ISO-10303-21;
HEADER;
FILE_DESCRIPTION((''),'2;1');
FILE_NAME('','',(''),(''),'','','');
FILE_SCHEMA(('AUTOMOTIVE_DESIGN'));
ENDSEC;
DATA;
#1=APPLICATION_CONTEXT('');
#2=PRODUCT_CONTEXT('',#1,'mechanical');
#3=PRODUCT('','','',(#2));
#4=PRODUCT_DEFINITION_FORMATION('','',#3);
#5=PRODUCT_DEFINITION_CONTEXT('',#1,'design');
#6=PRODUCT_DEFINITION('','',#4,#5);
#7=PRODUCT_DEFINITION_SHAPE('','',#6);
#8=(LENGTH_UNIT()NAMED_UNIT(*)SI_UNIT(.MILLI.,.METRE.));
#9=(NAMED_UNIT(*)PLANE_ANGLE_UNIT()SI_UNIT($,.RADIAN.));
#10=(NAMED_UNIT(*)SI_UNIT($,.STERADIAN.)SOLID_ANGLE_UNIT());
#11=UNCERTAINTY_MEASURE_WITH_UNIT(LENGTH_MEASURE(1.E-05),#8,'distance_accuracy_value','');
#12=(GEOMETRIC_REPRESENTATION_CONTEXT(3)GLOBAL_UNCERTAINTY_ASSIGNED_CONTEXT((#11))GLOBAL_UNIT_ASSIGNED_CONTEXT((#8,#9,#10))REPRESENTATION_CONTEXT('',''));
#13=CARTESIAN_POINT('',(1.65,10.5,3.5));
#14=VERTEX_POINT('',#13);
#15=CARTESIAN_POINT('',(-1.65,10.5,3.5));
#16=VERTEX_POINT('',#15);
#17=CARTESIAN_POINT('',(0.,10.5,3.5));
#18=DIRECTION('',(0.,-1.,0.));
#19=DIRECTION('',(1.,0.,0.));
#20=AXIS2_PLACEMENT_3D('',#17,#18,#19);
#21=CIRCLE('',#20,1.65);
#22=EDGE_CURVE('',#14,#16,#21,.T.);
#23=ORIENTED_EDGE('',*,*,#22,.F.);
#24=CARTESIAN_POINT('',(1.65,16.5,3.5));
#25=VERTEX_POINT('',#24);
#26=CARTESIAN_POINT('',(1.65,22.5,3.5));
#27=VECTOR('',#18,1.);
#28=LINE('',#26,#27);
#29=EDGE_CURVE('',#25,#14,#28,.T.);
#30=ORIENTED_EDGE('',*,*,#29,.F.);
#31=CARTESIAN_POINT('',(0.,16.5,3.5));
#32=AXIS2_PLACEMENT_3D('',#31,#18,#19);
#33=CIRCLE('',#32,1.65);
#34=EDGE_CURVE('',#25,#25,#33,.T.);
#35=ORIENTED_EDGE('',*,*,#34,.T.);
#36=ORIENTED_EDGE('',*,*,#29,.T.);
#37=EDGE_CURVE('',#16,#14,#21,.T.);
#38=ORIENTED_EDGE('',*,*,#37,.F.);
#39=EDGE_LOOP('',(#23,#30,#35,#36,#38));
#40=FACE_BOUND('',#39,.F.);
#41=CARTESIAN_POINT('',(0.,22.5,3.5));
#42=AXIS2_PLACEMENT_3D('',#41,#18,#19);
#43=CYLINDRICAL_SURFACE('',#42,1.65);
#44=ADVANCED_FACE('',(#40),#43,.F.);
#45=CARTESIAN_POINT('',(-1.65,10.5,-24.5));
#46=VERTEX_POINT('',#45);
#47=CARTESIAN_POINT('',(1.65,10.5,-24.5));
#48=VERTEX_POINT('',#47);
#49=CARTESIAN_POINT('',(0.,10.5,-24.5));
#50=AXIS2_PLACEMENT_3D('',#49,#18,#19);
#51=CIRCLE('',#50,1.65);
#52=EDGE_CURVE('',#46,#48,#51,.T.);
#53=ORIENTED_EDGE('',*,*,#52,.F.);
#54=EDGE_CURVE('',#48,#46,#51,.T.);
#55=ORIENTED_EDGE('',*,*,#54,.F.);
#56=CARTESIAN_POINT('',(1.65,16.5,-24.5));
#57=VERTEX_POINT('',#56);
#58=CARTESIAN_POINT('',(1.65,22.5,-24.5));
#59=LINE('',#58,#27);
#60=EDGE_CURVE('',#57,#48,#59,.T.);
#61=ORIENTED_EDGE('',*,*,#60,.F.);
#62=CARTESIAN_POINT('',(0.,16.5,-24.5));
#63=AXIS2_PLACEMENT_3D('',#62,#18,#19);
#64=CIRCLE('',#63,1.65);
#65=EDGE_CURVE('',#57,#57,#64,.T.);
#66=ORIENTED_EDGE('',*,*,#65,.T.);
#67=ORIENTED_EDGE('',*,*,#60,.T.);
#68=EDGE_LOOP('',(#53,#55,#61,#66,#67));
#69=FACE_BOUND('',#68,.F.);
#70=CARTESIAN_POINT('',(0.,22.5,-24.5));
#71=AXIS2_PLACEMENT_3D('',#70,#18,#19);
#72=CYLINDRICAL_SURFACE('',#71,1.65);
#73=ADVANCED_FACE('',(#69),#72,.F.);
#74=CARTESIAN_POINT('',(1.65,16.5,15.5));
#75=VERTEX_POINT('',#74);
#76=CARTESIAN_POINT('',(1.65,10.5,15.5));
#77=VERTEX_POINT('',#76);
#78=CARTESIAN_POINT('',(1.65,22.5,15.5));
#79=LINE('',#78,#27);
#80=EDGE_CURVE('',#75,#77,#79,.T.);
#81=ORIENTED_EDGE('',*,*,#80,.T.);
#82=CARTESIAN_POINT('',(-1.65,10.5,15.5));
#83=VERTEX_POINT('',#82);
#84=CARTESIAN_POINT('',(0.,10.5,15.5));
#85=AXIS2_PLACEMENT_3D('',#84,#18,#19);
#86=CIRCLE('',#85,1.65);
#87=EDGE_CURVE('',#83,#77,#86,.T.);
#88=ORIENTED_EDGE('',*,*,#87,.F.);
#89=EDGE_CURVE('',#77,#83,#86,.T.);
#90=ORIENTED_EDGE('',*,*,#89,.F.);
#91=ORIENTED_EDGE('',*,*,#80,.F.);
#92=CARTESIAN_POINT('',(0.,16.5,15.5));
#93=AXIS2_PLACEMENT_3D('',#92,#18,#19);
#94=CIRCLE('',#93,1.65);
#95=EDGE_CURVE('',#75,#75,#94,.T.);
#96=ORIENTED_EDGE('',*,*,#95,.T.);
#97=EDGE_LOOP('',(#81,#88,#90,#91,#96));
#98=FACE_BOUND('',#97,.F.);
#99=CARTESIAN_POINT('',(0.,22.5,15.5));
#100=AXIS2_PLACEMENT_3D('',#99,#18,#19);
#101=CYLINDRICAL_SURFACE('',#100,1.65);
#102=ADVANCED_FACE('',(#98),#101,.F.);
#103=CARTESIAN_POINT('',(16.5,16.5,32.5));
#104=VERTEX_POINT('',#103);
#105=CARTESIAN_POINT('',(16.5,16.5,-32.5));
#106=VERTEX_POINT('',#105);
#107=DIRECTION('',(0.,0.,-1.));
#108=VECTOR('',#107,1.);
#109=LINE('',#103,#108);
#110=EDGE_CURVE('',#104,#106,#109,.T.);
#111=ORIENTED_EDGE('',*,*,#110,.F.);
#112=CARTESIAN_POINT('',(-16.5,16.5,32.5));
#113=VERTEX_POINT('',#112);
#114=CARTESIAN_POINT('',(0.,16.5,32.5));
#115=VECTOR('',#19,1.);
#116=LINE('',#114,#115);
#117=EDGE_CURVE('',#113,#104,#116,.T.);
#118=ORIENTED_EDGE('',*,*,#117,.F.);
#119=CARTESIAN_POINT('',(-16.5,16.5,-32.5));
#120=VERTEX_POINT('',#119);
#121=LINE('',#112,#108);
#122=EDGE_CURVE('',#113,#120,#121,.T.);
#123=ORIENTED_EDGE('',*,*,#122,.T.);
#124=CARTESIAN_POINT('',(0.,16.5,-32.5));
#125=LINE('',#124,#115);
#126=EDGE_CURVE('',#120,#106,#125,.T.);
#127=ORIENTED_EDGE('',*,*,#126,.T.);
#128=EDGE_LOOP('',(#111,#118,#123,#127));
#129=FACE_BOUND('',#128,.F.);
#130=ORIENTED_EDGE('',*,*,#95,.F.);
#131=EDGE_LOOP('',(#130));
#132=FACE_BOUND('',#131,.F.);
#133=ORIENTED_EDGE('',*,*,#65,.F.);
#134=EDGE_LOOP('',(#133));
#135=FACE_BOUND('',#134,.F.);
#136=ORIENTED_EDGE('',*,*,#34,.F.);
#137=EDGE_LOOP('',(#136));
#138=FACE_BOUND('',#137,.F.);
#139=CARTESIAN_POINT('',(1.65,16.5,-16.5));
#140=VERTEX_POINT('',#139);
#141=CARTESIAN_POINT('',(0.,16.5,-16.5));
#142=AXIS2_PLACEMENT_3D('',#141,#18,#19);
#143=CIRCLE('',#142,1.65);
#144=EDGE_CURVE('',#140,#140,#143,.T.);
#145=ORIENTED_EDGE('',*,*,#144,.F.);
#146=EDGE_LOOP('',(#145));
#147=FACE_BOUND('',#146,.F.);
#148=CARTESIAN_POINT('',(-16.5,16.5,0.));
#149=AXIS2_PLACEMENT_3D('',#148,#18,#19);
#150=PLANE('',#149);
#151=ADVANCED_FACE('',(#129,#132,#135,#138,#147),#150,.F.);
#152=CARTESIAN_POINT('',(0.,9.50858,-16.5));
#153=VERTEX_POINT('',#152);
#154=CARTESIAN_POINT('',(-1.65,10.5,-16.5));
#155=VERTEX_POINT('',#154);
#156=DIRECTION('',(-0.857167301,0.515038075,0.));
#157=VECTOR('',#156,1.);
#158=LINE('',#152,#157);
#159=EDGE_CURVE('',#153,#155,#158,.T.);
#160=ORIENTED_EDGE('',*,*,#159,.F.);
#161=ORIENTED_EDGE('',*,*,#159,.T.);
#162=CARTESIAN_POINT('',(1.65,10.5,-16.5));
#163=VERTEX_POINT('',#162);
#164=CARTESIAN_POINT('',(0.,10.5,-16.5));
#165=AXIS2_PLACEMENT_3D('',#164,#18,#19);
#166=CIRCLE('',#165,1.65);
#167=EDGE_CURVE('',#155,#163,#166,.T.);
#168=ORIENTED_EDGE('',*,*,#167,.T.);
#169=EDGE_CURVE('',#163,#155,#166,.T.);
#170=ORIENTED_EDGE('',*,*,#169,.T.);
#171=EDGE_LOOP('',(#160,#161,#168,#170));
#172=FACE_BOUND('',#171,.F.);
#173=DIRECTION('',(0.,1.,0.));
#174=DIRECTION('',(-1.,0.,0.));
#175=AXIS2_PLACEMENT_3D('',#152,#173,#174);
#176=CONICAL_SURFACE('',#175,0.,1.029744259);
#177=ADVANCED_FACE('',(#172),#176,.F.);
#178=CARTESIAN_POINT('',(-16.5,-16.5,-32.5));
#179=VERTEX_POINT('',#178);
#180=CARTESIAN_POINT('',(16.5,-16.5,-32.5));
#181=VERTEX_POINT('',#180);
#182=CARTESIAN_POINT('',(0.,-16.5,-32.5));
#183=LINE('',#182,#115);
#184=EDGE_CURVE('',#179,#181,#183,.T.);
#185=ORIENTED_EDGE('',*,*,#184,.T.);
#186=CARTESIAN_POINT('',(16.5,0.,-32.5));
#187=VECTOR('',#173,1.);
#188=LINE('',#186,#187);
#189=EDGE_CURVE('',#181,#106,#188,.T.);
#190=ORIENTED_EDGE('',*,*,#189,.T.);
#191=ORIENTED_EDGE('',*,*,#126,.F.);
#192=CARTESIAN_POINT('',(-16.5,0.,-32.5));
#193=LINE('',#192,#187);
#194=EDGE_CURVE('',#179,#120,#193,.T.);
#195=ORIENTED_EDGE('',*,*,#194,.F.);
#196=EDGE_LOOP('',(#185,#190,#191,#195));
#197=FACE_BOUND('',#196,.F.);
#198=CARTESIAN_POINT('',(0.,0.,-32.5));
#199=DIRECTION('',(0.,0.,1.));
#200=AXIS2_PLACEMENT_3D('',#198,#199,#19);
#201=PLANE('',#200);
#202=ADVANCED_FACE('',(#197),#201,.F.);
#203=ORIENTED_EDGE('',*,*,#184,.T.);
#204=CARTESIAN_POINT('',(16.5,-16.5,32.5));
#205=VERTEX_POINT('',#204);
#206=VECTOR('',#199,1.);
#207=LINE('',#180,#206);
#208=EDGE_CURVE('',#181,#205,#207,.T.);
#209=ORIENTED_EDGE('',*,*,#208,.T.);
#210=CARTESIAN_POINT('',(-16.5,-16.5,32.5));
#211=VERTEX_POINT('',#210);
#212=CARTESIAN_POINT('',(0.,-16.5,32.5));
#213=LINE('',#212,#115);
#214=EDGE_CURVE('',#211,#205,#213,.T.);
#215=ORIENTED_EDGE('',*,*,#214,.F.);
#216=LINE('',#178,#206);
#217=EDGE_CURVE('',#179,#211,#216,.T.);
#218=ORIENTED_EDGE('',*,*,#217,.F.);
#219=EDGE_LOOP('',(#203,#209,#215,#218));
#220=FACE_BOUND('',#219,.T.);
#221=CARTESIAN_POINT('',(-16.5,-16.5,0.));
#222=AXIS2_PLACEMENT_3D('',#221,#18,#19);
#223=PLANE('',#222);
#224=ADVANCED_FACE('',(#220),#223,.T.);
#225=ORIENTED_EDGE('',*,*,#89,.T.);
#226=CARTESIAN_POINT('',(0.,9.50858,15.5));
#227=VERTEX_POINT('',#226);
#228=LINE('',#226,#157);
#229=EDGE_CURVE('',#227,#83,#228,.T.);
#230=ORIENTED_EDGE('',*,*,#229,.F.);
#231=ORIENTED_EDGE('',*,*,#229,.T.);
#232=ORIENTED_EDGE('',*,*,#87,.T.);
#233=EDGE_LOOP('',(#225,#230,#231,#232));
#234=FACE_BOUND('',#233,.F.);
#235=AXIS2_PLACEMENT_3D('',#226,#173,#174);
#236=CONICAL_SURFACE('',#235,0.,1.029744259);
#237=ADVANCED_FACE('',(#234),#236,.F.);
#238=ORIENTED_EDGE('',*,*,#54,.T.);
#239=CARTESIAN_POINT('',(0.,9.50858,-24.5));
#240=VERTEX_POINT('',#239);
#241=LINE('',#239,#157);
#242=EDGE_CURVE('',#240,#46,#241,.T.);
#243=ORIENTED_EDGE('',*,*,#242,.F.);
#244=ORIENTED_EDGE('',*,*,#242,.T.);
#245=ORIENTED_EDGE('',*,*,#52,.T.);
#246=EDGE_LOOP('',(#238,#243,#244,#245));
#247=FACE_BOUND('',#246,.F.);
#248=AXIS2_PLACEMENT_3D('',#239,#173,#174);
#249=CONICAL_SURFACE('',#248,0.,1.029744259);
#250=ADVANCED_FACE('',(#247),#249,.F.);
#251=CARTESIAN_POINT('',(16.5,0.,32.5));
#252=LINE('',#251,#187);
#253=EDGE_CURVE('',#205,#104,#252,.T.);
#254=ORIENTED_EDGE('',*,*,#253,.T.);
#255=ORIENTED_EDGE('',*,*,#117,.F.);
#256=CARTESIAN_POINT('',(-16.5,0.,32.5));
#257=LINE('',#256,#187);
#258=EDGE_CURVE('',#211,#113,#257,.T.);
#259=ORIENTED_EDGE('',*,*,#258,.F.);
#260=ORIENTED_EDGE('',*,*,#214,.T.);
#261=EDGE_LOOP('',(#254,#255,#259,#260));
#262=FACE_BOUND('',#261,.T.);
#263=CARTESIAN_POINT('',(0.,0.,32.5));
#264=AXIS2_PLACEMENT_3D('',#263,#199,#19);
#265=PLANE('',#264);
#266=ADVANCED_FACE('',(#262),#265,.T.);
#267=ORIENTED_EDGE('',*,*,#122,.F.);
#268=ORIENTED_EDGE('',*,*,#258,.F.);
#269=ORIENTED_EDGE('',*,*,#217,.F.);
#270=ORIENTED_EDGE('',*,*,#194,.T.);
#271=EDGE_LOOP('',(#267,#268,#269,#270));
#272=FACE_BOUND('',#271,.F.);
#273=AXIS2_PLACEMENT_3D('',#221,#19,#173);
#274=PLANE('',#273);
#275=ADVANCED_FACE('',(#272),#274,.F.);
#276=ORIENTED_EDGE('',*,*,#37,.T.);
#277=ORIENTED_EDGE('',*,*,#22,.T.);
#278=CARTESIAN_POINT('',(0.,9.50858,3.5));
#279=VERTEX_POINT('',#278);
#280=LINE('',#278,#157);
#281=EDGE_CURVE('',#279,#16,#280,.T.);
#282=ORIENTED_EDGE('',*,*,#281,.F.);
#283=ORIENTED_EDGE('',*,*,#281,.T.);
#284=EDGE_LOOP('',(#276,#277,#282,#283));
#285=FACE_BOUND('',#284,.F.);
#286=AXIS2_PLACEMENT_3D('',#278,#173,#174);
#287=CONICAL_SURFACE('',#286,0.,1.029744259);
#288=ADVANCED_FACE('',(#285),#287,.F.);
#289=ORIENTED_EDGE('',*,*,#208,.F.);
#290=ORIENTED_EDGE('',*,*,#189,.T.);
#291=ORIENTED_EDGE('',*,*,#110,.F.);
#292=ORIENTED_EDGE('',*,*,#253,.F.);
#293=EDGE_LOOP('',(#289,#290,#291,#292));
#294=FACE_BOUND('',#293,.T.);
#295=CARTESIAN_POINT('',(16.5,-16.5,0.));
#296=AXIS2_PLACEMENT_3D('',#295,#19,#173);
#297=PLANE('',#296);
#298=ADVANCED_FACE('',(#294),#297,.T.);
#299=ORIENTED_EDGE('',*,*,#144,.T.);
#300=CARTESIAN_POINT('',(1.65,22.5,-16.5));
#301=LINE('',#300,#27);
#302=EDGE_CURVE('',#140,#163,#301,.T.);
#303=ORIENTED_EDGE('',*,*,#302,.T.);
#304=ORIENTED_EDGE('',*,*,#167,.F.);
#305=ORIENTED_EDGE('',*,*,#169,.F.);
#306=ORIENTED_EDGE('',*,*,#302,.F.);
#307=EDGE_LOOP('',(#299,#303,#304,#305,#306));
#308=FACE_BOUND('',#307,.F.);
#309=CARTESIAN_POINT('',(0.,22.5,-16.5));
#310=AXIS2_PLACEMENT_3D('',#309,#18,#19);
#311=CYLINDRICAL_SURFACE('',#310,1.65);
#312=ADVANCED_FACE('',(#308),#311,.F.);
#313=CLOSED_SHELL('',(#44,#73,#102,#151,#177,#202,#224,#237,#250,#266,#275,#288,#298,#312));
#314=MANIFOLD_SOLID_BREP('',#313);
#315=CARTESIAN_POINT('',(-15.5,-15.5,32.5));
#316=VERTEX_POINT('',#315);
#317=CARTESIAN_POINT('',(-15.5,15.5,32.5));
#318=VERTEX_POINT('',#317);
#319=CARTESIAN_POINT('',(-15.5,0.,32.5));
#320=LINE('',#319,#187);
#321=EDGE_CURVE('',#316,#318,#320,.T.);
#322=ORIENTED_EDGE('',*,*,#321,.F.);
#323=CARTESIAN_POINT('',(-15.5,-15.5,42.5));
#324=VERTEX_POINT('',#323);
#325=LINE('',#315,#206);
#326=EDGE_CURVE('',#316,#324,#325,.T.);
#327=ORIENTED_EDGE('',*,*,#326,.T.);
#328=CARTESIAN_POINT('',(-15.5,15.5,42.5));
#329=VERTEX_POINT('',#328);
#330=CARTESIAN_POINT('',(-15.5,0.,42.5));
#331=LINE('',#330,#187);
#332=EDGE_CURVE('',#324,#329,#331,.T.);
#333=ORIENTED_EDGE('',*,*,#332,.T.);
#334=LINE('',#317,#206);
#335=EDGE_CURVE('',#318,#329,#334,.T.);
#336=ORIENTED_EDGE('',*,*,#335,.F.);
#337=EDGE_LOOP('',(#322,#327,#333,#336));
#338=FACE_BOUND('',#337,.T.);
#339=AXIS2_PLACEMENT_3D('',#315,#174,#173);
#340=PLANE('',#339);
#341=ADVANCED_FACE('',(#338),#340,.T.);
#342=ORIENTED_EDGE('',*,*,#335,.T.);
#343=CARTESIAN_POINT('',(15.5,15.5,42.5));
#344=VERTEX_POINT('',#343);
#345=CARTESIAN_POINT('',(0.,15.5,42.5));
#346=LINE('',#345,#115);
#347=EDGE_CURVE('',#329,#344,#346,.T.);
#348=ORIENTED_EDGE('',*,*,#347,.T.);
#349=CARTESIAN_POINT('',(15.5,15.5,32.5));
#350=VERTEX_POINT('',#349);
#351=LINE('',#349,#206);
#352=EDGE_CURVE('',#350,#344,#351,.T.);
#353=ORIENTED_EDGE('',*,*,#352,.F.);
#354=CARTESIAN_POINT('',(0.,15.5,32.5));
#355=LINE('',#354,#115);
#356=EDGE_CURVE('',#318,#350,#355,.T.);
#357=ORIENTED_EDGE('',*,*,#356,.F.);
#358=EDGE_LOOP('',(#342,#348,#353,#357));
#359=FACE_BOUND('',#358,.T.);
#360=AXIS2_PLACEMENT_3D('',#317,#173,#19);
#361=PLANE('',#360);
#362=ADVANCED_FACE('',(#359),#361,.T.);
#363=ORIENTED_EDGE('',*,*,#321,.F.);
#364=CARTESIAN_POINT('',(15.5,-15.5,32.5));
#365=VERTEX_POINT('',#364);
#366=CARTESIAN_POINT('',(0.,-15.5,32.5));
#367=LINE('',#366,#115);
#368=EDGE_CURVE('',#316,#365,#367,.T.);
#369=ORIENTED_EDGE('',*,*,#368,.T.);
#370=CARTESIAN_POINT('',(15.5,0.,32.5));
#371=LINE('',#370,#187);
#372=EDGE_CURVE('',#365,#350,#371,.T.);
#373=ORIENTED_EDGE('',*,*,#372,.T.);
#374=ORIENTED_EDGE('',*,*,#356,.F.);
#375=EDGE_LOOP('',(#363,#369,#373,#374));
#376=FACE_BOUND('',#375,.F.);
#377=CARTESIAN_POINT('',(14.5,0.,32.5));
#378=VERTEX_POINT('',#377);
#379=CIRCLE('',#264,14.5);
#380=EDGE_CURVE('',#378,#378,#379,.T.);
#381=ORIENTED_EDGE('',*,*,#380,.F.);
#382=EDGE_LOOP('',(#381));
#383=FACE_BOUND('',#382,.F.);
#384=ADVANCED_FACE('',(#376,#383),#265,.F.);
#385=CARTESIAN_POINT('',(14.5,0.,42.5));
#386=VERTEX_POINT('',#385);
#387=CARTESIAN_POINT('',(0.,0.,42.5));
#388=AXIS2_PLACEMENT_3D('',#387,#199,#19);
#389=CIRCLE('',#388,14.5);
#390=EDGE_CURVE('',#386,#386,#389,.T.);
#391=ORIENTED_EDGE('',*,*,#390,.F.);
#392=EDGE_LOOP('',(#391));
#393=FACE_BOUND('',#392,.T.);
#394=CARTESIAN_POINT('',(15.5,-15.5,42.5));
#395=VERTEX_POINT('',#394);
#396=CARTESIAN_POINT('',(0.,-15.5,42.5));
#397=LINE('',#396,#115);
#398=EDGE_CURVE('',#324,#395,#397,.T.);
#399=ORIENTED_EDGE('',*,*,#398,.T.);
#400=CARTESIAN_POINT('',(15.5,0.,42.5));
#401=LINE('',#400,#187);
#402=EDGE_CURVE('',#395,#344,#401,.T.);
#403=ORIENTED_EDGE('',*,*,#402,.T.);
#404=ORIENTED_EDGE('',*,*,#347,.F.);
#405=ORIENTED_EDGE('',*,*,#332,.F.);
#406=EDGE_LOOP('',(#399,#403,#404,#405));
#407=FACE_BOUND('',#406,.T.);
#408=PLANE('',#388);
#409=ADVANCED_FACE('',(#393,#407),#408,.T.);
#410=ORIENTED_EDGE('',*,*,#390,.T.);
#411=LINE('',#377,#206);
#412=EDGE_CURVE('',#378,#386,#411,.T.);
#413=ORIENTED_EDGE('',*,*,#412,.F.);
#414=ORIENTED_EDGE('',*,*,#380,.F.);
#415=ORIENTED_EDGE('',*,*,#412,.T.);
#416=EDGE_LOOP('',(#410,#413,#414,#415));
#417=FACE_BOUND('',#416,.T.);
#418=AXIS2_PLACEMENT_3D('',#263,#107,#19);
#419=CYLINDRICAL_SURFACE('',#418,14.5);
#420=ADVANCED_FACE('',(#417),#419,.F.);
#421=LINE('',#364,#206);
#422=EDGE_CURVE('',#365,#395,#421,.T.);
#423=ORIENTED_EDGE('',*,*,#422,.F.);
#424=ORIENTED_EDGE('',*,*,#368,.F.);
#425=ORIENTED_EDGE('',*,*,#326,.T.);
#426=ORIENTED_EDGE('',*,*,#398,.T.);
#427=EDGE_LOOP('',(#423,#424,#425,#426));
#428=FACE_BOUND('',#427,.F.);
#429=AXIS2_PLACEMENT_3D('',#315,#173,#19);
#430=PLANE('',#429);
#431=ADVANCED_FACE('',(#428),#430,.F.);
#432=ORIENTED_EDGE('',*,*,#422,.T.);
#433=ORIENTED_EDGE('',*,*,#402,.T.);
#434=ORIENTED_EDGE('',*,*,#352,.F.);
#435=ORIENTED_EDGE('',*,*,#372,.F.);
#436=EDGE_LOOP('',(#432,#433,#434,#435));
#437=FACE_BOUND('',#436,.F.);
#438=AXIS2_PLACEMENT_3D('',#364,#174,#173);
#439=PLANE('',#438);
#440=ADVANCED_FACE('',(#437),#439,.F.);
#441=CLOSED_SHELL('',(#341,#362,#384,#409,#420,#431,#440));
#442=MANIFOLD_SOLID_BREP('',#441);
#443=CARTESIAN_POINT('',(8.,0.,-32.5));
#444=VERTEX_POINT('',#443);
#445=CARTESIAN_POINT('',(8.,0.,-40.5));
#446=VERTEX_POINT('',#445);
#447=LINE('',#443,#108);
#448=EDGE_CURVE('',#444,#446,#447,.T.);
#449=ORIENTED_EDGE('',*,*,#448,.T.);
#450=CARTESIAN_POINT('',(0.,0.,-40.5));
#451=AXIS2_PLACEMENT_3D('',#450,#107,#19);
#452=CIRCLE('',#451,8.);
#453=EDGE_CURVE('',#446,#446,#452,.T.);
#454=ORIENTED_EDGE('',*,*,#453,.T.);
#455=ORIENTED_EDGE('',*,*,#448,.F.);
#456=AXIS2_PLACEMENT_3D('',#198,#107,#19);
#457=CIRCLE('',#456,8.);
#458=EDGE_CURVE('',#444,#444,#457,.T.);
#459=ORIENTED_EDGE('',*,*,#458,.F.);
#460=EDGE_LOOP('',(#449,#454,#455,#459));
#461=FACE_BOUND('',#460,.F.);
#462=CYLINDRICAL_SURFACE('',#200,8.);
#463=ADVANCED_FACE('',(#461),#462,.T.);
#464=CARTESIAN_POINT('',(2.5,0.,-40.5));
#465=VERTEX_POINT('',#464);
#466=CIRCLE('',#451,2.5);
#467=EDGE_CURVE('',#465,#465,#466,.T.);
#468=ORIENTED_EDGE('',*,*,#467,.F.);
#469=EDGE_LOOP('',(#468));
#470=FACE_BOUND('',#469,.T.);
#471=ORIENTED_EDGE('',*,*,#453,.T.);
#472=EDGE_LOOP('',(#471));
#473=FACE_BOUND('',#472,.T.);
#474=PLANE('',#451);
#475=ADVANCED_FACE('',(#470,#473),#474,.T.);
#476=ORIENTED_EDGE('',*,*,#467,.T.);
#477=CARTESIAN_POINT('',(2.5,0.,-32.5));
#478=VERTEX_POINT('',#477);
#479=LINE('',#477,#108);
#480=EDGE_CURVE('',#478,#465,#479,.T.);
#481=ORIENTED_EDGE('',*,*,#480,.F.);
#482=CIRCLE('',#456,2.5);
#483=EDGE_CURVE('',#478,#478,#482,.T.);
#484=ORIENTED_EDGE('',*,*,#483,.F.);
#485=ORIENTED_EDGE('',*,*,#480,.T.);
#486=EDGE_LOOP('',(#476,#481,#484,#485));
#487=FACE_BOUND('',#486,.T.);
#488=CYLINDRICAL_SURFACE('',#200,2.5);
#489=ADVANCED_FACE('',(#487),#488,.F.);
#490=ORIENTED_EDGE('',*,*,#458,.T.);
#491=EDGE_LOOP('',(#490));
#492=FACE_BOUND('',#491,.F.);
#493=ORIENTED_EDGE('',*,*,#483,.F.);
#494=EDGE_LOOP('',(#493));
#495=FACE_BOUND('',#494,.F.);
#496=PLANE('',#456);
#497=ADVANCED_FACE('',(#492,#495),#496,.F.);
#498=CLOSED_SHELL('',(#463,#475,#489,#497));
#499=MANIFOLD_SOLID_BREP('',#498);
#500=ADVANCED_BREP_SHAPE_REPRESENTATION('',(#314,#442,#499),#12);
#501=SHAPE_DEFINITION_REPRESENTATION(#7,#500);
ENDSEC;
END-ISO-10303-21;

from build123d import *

# Parameters (mm, degrees)
F0_W     = 33
F0_H     = 33
F1_DEPTH = 32.5
F2_R     = 8
F2_R_2   = 2.5
F3_DEPTH = 8
F4_W     = 31
F4_H     = 31
F4_R     = 14.5
F5_DEPTH = 10
F7_D     = 3.3
F7_DEPTH = 6
F7_TIP   = 0.9914200214


with BuildPart() as f1:
    # F0 (on Top) → F1 (new body, symmetric)
    with BuildSketch(Plane.XY):
        Rectangle(F0_W, F0_H)
    extrude(amount=F1_DEPTH, both=True)

    # F7
    with Locations(Plane(origin=(0, 16.5, 0), x_dir=(-1, 0, 0), z_dir=(0, 1, 0))):
        with Locations((0, 15.5), (0, 3.5), (0, -16.5), (0, -24.5)):
            Hole(F7_D / 2, depth=F7_DEPTH)
            with Locations((0, 0, -(F7_DEPTH + F7_TIP / 2))):  # 118° drill point
                Cone(0, F7_D / 2, F7_TIP, mode=Mode.SUBTRACT)


with BuildPart() as f3:
    # F2 (on face) → F3 (new body)
    with BuildSketch(Plane(origin=(0, 0, -32.5), x_dir=(1, 0, 0), z_dir=(0, 0, -1))):
        Circle(F2_R)
        Circle(F2_R_2, mode=Mode.SUBTRACT)
    extrude(amount=F3_DEPTH)


with BuildPart() as f5:
    # F4 (on face) → F5 (new body)
    with BuildSketch(Plane.XY.offset(32.5)):
        Rectangle(F4_W, F4_H)
        Circle(F4_R, mode=Mode.SUBTRACT)
    extrude(amount=F5_DEPTH)


solid = Compound([f1.part, f3.part, f5.part])
